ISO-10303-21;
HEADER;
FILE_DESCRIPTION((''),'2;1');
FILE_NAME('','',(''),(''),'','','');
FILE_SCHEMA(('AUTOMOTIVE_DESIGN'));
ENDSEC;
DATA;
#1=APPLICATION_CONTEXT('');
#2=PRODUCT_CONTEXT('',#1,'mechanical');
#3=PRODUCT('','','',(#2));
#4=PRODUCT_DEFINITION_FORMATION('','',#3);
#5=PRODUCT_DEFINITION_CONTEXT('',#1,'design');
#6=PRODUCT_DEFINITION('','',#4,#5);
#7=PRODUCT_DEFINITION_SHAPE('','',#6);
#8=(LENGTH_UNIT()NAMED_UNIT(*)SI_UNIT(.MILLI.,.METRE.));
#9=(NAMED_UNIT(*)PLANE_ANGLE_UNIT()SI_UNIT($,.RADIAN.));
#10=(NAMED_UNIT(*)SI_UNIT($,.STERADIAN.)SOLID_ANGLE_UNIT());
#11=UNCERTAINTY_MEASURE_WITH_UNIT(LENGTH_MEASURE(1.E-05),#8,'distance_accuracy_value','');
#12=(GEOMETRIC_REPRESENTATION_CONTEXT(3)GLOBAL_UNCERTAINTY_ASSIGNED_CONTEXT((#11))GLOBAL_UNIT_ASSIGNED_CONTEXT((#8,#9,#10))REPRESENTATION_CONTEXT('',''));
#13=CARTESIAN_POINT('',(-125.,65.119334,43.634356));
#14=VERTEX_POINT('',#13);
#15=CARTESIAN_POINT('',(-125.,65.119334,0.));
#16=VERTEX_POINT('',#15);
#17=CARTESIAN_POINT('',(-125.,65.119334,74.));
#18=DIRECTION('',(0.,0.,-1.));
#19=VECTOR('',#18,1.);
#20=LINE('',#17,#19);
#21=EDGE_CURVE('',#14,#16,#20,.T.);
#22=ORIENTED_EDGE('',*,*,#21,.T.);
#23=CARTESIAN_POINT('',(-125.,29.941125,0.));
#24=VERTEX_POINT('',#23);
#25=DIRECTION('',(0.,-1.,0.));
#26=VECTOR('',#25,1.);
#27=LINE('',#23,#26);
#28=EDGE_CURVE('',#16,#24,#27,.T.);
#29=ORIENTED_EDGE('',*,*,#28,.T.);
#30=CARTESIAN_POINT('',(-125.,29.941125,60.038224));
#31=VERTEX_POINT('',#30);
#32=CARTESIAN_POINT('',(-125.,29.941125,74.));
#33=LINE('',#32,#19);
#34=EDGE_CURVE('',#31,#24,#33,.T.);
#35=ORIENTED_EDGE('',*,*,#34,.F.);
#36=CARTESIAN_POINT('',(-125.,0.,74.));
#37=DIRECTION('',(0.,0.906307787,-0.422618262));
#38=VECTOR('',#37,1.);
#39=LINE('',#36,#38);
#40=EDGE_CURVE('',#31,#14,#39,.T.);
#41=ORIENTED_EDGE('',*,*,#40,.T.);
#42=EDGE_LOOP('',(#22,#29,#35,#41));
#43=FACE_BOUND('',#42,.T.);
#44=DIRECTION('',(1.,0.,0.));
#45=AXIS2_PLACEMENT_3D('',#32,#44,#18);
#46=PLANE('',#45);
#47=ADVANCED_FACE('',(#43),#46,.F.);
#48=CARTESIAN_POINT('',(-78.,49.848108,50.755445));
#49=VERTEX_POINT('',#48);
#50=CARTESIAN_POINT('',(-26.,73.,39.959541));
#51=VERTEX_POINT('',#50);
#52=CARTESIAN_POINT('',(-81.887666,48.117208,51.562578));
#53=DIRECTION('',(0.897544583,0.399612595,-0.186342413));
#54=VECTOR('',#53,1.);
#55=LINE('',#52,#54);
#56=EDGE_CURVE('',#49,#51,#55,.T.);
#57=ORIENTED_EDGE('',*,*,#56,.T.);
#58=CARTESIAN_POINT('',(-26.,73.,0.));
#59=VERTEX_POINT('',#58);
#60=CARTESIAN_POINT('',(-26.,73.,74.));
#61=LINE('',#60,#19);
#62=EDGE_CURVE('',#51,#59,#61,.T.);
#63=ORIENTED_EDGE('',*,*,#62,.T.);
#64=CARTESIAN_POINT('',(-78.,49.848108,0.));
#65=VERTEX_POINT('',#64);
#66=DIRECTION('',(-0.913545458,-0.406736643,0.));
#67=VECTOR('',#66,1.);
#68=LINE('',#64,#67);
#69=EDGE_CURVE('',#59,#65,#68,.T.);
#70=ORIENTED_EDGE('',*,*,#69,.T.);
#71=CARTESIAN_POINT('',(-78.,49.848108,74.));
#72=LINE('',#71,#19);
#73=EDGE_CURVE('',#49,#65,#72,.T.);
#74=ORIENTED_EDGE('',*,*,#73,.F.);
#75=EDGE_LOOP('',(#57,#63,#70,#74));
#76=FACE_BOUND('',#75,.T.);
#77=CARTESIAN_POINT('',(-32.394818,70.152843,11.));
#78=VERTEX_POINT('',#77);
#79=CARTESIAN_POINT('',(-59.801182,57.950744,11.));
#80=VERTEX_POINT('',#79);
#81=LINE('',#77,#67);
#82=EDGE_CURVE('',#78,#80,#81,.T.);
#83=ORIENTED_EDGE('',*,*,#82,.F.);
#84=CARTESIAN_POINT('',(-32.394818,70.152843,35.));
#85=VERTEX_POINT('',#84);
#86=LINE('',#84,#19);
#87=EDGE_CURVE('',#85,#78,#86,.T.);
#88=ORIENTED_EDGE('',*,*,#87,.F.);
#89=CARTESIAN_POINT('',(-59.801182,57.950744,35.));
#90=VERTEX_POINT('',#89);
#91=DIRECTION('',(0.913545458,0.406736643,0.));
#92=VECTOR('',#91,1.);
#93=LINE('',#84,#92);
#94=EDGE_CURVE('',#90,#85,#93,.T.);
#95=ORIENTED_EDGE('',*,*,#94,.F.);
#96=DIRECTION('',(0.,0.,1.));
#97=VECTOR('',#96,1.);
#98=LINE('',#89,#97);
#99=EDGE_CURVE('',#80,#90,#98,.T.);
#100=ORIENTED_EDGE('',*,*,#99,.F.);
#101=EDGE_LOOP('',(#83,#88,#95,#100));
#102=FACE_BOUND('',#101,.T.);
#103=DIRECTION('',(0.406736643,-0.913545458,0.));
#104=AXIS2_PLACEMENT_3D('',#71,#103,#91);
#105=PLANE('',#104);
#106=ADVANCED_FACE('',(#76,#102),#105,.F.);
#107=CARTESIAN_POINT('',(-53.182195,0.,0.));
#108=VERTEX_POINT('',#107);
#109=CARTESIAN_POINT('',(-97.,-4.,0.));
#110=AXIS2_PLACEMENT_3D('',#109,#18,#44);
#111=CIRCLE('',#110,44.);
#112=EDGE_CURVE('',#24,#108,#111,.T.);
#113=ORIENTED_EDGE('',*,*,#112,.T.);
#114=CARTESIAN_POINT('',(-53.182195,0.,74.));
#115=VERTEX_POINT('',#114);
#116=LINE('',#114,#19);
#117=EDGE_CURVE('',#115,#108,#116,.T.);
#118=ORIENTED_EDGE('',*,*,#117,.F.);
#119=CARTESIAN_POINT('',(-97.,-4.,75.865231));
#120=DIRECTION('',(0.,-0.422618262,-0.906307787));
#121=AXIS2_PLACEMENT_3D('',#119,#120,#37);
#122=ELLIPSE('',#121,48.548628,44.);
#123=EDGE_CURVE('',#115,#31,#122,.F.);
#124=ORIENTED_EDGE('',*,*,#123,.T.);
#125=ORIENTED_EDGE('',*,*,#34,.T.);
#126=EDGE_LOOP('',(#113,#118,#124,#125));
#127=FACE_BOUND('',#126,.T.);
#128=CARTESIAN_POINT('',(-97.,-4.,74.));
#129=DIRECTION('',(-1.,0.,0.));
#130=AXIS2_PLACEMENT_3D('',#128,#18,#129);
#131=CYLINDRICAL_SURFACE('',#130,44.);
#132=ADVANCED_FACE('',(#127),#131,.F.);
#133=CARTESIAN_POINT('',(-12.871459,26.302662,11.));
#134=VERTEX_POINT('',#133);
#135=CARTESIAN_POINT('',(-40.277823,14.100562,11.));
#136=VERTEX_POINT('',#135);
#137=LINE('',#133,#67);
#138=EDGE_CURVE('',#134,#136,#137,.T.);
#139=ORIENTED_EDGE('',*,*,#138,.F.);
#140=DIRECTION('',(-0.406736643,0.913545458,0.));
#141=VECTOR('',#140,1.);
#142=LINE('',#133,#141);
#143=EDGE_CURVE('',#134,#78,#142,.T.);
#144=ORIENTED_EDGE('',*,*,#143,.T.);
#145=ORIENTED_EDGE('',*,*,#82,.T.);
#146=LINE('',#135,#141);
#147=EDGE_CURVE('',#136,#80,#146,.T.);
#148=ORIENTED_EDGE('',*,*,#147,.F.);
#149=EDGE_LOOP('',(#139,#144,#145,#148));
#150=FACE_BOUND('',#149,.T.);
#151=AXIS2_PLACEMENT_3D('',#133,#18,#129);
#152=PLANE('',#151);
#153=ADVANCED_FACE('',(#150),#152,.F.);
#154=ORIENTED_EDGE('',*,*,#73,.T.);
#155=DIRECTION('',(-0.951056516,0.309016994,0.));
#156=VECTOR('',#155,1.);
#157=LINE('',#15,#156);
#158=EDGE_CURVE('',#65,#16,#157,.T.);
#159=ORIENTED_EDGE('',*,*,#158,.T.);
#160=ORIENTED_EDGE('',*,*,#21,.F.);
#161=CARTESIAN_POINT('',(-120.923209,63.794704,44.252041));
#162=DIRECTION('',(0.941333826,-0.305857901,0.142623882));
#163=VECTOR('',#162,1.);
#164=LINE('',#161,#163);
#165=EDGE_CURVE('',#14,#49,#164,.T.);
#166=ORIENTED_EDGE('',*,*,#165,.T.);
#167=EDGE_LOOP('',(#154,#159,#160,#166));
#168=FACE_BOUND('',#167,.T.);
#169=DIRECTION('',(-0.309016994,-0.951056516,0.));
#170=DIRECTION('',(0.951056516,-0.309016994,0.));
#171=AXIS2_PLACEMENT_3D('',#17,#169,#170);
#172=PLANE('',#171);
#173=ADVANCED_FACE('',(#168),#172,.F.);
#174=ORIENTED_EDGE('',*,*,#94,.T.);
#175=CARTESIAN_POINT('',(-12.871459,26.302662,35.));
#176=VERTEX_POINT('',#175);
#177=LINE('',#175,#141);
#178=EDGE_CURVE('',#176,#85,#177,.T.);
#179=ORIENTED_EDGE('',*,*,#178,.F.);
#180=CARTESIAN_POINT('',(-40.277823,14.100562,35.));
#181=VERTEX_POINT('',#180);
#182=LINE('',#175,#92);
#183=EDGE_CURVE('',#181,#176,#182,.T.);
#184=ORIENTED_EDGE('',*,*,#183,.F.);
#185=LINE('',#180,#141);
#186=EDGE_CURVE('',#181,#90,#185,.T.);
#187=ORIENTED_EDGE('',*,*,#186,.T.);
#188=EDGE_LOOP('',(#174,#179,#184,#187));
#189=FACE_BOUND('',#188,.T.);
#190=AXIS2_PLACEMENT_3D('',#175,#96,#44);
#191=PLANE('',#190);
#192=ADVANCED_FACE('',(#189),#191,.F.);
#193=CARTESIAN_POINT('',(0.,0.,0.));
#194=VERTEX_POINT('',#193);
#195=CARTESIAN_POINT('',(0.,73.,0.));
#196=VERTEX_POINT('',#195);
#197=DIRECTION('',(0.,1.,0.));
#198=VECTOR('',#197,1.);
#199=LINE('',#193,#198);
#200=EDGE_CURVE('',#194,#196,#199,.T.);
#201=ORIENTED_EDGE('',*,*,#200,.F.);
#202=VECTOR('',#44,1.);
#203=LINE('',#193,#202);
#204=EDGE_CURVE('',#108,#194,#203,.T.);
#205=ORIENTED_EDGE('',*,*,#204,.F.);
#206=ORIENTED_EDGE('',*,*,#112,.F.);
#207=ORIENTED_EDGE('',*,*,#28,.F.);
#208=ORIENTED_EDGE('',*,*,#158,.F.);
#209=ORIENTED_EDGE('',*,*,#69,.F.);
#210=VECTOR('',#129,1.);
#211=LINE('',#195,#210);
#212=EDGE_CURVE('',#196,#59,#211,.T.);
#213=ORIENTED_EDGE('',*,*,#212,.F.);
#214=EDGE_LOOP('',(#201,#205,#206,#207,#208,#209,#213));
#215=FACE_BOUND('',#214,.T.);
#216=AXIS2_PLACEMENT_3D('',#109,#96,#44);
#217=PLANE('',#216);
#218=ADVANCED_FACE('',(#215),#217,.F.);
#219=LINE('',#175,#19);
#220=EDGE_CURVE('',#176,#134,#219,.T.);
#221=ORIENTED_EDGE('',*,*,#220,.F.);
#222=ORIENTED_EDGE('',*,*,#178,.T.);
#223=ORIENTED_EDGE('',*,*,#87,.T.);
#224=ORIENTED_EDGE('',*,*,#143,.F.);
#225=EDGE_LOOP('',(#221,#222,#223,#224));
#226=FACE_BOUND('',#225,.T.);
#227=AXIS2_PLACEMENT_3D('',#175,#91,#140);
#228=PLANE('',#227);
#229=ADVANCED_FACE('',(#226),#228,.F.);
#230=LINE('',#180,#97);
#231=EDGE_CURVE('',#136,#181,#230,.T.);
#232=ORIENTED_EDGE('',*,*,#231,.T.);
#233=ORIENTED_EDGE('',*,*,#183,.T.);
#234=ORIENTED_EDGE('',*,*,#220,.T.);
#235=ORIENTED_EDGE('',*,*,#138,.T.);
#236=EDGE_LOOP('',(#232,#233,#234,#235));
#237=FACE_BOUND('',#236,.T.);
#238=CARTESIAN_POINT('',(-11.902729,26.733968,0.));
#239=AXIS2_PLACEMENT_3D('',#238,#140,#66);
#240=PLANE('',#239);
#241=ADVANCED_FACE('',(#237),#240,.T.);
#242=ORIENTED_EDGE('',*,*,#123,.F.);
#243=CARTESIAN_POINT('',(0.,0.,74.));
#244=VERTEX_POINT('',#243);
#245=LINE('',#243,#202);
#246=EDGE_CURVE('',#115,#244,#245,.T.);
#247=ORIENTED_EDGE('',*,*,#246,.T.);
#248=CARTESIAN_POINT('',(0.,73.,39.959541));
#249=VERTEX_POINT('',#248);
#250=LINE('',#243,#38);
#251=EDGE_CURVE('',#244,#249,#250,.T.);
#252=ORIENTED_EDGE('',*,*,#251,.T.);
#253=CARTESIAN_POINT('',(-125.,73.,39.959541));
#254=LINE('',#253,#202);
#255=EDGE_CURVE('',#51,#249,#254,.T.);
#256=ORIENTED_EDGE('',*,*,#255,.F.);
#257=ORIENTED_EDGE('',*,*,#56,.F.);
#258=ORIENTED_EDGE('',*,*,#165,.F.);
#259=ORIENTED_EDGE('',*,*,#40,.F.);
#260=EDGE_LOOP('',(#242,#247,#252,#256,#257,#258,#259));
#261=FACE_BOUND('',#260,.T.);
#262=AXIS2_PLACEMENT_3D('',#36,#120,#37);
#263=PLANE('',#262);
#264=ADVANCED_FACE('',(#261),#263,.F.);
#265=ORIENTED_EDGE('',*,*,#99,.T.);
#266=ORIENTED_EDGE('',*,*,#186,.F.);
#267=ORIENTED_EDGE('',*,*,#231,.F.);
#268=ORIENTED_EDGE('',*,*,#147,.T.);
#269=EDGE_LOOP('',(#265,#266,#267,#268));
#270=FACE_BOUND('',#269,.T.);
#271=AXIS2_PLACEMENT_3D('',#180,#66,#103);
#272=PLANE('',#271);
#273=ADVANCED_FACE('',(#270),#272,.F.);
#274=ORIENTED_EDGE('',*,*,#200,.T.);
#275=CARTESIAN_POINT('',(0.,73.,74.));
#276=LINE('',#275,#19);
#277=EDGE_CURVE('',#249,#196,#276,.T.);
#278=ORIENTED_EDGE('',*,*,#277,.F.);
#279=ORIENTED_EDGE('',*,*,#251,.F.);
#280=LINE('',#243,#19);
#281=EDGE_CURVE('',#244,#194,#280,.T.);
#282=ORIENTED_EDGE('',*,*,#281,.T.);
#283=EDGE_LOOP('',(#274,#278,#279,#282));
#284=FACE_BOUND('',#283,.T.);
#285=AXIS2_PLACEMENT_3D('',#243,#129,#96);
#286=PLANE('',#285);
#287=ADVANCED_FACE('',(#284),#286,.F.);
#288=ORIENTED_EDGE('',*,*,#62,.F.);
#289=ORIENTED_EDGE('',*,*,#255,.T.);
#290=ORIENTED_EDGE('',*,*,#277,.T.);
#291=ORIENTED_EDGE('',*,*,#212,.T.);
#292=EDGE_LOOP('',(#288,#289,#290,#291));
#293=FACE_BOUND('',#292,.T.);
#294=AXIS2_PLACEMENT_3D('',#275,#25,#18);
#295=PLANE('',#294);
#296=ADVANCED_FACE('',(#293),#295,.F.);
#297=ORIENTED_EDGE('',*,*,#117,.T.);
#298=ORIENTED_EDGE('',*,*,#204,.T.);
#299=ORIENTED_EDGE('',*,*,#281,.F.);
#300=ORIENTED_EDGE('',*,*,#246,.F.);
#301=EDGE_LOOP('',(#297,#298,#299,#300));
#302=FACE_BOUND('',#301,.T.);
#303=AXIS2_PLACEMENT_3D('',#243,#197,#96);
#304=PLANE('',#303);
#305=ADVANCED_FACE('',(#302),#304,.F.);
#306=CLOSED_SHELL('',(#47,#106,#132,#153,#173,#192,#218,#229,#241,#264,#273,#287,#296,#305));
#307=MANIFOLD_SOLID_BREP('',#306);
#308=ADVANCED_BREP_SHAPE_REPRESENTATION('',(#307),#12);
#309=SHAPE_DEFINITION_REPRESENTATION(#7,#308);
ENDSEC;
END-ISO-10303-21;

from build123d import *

# Parameters (mm, degrees)
BOSS_EXTRUDE1_DEPTH = 74
CUT_EXTRUDE1_DEPTH  = 126
SKETCH3_W           = 30
SKETCH3_H           = 24
CUT_EXTRUDE2_DEPTH  = 48


with BuildPart() as part:
    # Sketch1 → Boss-Extrude1 (new body)
    with BuildSketch(Plane.XY):
        with BuildLine():
            Line((0, 0), (-53.1821954, 0))
            ThreePointArc((-53.1821954, 0), (-80.068712849, 36.611962713), (-125, 29.941125497))
            Line((-125, 29.941125497), (-125, 65.119334087))
            Line((-125, 65.119334087), (-78, 49.848108364))
            Line((-78, 49.848108364), (-26, 73))
            Line((-26, 73), (0, 73))
            Line((0, 73), (0, 0))
        make_face()
    extrude(amount=BOSS_EXTRUDE1_DEPTH)

    # Sketch2 → Cut-Extrude1 (cut, through all)
    with BuildSketch(Plane(origin=(0, 0, 0), x_dir=(0, 0, -1), z_dir=(1, 0, 0))):
        Polygon((-74, 0), (-39.959540955, 73), (-74, 73), align=None)
    extrude(amount=-CUT_EXTRUDE1_DEPTH, mode=Mode.SUBTRACT)

    # Sketch3 → Cut-Extrude2 (cut)
    with BuildSketch(Plane(origin=(-31.426088247, 70.584149863, 0), x_dir=(0.913545458, 0.406736643, 0), z_dir=(-0.406736643, 0.913545458, 0))):
        with Locations((-16.060406954, -23)):
            Rectangle(SKETCH3_W, SKETCH3_H)
    extrude(amount=-CUT_EXTRUDE2_DEPTH, mode=Mode.SUBTRACT)


solid = part.part
